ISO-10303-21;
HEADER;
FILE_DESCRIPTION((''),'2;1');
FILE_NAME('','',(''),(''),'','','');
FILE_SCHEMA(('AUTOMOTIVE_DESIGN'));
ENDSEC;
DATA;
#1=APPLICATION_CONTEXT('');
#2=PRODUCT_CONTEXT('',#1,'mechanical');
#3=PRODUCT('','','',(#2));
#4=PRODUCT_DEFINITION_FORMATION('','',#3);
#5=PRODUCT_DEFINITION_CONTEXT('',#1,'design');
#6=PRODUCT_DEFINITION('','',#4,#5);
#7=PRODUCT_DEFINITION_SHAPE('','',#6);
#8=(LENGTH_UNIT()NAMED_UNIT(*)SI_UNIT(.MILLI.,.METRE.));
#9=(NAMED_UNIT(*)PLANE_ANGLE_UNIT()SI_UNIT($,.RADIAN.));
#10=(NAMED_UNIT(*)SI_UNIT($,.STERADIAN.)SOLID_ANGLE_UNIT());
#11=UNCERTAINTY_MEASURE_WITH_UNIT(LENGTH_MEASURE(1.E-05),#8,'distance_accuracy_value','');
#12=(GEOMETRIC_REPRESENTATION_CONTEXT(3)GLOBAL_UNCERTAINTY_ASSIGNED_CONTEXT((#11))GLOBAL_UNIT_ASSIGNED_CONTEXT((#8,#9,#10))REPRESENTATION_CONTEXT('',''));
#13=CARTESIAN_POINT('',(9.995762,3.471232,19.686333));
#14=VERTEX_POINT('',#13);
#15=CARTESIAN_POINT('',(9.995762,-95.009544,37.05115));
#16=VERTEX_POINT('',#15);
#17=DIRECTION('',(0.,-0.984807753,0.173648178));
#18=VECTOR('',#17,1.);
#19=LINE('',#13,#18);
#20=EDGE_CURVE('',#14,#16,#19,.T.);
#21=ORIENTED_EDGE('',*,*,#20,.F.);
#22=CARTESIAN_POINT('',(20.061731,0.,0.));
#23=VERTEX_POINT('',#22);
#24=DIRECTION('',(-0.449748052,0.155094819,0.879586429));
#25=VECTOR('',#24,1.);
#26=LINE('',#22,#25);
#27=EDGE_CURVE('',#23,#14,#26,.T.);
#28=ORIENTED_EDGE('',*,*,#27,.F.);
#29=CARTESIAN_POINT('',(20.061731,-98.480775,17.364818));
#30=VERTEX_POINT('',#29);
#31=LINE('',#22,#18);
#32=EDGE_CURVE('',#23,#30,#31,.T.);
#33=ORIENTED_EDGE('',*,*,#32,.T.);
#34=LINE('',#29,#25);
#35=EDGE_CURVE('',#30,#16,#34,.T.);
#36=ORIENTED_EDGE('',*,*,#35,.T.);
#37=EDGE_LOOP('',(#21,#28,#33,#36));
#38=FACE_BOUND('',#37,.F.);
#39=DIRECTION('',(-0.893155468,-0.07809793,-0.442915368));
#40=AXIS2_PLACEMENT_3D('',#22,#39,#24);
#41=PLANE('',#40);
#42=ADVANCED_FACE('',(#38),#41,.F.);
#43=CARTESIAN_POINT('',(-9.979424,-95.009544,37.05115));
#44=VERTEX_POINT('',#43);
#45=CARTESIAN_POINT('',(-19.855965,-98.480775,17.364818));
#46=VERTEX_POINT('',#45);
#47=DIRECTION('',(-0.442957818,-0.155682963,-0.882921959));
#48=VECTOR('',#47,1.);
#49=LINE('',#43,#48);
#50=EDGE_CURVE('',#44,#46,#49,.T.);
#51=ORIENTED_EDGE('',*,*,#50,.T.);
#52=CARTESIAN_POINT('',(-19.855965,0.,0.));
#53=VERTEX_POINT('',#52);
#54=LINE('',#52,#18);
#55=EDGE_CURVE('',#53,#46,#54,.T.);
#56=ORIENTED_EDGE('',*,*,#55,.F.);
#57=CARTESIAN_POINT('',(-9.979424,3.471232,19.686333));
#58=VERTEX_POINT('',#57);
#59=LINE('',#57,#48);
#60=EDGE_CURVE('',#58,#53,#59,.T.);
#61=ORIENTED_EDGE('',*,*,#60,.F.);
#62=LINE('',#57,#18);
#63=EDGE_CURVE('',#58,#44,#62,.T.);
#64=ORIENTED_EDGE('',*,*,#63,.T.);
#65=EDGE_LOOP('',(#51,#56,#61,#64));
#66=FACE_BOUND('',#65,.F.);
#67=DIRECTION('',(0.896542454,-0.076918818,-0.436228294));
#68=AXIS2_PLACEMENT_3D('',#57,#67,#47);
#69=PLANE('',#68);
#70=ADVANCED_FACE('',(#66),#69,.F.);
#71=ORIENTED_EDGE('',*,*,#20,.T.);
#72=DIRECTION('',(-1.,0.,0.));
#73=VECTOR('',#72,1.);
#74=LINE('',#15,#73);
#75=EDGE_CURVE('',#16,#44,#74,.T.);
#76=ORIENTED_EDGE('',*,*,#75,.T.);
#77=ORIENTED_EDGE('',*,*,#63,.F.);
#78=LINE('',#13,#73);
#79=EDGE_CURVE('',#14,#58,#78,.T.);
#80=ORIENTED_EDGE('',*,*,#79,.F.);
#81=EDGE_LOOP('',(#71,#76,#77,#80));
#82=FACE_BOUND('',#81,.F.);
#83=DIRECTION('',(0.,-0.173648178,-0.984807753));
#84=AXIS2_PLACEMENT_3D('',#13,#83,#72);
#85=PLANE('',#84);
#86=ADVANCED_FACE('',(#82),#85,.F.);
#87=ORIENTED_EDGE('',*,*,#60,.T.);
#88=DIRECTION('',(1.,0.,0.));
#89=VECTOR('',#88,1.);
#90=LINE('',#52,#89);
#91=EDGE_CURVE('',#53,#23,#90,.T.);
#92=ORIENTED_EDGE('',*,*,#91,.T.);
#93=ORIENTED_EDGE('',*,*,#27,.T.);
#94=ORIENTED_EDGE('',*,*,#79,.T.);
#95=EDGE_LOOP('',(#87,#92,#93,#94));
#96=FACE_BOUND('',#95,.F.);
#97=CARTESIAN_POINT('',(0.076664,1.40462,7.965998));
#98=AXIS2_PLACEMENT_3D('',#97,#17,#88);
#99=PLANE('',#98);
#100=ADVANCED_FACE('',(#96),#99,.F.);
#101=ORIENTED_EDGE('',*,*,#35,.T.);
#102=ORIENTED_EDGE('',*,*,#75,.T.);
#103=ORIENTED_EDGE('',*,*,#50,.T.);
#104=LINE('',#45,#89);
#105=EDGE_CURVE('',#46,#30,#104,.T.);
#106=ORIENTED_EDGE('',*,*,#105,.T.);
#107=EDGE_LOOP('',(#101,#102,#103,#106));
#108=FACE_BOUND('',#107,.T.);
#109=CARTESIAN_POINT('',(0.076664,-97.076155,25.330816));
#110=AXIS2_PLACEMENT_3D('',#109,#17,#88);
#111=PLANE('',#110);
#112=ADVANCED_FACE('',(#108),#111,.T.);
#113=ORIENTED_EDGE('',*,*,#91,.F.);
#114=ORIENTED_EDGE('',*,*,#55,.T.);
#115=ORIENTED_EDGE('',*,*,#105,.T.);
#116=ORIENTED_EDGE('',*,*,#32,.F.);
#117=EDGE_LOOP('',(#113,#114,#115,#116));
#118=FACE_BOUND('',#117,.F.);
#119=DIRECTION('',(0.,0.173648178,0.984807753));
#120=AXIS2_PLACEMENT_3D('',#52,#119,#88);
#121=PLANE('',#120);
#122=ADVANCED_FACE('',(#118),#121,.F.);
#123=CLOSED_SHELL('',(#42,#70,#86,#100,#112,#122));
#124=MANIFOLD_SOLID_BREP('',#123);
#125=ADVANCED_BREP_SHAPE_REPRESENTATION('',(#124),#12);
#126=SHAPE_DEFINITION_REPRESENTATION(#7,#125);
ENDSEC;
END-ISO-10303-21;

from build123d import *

# Parameters (mm, degrees)
PAD_DEPTH            = 100
BODY_PLACEMENT_ANGLE = 80


with BuildPart() as part:
    # Sketch → Pad (new body)
    with BuildSketch(Plane.XY):
        Polygon((-9.979424, 19.990026), (-19.855965, 0), (20.061731, 0), (9.995762, 19.990026), align=None)
    extrude(amount=PAD_DEPTH)


with BuildPart() as part_1:
    # Body placement: moved
    add(part.part.rotate(Axis((0, 0, 0), (1, 0, 0)), BODY_PLACEMENT_ANGLE))


solid = part_1.part
